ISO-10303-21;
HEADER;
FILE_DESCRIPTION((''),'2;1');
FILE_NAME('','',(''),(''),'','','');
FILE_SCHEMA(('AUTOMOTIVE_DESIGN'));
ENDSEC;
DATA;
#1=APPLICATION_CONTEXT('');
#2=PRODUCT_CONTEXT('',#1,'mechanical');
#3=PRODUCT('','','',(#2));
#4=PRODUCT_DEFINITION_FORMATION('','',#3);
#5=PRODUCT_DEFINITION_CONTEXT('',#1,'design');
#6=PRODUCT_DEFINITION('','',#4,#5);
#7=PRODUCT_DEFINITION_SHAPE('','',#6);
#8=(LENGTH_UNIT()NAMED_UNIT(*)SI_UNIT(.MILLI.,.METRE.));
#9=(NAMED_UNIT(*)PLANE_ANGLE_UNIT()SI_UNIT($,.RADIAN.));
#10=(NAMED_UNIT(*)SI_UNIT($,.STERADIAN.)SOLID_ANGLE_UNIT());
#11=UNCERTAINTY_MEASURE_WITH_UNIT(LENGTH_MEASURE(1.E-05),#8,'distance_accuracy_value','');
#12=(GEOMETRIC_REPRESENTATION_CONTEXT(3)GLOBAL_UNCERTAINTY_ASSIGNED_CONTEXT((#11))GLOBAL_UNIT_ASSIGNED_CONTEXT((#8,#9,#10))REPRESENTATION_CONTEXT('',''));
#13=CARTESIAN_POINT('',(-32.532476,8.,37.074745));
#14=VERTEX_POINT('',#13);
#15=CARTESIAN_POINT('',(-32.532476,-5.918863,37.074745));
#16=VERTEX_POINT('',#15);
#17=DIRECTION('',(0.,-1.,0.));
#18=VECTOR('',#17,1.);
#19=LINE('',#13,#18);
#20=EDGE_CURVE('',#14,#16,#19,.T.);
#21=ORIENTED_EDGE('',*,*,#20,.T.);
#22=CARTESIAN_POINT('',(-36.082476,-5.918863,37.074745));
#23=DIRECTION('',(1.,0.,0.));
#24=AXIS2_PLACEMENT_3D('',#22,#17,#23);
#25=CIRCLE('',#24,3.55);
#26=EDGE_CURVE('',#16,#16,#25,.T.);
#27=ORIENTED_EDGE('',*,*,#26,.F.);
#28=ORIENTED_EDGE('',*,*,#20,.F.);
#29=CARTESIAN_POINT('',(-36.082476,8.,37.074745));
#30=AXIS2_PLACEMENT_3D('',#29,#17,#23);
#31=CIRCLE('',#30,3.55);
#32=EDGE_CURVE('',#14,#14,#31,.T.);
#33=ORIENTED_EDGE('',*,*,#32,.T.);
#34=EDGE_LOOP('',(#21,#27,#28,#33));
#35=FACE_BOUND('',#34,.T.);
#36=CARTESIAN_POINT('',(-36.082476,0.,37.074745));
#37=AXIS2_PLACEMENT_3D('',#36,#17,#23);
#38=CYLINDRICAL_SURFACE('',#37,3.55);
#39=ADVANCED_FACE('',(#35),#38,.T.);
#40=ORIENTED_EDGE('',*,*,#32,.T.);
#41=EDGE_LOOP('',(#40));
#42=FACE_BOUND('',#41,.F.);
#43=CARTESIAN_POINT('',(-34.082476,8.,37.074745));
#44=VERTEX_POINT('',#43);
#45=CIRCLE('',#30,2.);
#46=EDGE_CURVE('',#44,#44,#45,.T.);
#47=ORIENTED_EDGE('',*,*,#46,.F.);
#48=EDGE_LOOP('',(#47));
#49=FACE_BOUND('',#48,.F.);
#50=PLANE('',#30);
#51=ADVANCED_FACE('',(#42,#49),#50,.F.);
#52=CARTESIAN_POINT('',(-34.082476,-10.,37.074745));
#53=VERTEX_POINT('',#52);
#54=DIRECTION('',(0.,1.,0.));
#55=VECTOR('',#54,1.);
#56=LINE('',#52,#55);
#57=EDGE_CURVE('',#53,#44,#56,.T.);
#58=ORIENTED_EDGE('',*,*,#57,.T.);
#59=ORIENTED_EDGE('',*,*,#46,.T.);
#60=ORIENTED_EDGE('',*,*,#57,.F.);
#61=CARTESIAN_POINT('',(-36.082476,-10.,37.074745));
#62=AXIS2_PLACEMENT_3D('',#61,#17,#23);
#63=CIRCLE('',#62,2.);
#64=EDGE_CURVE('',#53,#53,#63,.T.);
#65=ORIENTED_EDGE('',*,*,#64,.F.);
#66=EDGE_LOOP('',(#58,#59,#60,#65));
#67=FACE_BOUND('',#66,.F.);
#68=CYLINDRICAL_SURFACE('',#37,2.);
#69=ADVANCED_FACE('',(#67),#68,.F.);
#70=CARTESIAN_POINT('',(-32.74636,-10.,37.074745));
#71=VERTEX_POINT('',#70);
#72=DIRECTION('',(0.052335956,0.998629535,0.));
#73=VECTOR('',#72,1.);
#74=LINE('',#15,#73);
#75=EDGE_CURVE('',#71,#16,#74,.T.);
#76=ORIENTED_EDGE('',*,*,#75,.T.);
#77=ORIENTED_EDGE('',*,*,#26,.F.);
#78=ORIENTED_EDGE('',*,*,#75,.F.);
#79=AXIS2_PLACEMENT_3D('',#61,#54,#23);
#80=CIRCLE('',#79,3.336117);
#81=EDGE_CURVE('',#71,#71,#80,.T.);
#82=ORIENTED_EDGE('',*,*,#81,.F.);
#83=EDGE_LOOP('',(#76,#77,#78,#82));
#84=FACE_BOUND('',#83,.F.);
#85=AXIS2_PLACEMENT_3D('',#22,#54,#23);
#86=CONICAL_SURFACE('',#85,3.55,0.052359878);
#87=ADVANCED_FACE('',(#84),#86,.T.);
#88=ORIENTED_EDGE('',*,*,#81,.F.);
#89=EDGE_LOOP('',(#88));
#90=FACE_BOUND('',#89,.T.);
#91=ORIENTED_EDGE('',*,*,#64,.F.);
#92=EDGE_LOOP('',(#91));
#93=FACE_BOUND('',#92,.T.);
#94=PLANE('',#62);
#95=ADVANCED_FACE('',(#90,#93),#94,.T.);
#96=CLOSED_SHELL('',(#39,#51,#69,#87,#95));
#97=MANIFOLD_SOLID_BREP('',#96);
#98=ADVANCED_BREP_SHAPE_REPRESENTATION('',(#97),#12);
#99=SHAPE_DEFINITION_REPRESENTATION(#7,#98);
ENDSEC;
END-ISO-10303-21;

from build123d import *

# Parameters (mm, degrees)
F0_R     = 3.55
F1_DEPTH = 25
F2_SIZE2 = 19.0811366877
F2_SIZE  = 1
F3_R     = 4.5061105162
F4_DEPTH = 15
F5_R     = 2
F6_DEPTH = 25
F7_DEPTH = 8


with BuildPart() as f1:
    # F0 (on Front) → F1 (new body)
    with BuildSketch(Plane.XZ):
        with Locations((-36.0824763775, 37.0747447014)):
            Circle(F0_R)
    extrude(amount=F1_DEPTH)

    # F2
    f2_edges = [f1.edges().sort_by_distance(p)[0] for p in [
        (-39.632476, -25, 37.074745),
    ]]
    f2_side = f1.faces().sort_by_distance((-36.082476, -25, 37.074745))[0]
    chamfer(f2_edges, length=F2_SIZE, length2=F2_SIZE2, reference=f2_side)

    # F3 (on face) → F4 (cut)
    with BuildSketch(Plane.XZ.offset(25)):
        with Locations((-36.0824763775, 37.0747447014)):
            Circle(F3_R)
    extrude(amount=-F4_DEPTH, mode=Mode.SUBTRACT)

    # F5 (on face) → F6 (cut)
    with BuildSketch(Plane.XZ.offset(10)):
        with Locations((-36.0824763775, 37.0747447014)):
            Circle(F5_R)
    extrude(amount=-F6_DEPTH, mode=Mode.SUBTRACT)

    # F7 (add): a face of the model
    f7_faces = [f1.faces().sort_by_distance(p)[0] for p in [
        (-39.5320672146, 0, 37.0747447014),
    ]]
    extrude(f7_faces, amount=F7_DEPTH)


solid = f1.part
